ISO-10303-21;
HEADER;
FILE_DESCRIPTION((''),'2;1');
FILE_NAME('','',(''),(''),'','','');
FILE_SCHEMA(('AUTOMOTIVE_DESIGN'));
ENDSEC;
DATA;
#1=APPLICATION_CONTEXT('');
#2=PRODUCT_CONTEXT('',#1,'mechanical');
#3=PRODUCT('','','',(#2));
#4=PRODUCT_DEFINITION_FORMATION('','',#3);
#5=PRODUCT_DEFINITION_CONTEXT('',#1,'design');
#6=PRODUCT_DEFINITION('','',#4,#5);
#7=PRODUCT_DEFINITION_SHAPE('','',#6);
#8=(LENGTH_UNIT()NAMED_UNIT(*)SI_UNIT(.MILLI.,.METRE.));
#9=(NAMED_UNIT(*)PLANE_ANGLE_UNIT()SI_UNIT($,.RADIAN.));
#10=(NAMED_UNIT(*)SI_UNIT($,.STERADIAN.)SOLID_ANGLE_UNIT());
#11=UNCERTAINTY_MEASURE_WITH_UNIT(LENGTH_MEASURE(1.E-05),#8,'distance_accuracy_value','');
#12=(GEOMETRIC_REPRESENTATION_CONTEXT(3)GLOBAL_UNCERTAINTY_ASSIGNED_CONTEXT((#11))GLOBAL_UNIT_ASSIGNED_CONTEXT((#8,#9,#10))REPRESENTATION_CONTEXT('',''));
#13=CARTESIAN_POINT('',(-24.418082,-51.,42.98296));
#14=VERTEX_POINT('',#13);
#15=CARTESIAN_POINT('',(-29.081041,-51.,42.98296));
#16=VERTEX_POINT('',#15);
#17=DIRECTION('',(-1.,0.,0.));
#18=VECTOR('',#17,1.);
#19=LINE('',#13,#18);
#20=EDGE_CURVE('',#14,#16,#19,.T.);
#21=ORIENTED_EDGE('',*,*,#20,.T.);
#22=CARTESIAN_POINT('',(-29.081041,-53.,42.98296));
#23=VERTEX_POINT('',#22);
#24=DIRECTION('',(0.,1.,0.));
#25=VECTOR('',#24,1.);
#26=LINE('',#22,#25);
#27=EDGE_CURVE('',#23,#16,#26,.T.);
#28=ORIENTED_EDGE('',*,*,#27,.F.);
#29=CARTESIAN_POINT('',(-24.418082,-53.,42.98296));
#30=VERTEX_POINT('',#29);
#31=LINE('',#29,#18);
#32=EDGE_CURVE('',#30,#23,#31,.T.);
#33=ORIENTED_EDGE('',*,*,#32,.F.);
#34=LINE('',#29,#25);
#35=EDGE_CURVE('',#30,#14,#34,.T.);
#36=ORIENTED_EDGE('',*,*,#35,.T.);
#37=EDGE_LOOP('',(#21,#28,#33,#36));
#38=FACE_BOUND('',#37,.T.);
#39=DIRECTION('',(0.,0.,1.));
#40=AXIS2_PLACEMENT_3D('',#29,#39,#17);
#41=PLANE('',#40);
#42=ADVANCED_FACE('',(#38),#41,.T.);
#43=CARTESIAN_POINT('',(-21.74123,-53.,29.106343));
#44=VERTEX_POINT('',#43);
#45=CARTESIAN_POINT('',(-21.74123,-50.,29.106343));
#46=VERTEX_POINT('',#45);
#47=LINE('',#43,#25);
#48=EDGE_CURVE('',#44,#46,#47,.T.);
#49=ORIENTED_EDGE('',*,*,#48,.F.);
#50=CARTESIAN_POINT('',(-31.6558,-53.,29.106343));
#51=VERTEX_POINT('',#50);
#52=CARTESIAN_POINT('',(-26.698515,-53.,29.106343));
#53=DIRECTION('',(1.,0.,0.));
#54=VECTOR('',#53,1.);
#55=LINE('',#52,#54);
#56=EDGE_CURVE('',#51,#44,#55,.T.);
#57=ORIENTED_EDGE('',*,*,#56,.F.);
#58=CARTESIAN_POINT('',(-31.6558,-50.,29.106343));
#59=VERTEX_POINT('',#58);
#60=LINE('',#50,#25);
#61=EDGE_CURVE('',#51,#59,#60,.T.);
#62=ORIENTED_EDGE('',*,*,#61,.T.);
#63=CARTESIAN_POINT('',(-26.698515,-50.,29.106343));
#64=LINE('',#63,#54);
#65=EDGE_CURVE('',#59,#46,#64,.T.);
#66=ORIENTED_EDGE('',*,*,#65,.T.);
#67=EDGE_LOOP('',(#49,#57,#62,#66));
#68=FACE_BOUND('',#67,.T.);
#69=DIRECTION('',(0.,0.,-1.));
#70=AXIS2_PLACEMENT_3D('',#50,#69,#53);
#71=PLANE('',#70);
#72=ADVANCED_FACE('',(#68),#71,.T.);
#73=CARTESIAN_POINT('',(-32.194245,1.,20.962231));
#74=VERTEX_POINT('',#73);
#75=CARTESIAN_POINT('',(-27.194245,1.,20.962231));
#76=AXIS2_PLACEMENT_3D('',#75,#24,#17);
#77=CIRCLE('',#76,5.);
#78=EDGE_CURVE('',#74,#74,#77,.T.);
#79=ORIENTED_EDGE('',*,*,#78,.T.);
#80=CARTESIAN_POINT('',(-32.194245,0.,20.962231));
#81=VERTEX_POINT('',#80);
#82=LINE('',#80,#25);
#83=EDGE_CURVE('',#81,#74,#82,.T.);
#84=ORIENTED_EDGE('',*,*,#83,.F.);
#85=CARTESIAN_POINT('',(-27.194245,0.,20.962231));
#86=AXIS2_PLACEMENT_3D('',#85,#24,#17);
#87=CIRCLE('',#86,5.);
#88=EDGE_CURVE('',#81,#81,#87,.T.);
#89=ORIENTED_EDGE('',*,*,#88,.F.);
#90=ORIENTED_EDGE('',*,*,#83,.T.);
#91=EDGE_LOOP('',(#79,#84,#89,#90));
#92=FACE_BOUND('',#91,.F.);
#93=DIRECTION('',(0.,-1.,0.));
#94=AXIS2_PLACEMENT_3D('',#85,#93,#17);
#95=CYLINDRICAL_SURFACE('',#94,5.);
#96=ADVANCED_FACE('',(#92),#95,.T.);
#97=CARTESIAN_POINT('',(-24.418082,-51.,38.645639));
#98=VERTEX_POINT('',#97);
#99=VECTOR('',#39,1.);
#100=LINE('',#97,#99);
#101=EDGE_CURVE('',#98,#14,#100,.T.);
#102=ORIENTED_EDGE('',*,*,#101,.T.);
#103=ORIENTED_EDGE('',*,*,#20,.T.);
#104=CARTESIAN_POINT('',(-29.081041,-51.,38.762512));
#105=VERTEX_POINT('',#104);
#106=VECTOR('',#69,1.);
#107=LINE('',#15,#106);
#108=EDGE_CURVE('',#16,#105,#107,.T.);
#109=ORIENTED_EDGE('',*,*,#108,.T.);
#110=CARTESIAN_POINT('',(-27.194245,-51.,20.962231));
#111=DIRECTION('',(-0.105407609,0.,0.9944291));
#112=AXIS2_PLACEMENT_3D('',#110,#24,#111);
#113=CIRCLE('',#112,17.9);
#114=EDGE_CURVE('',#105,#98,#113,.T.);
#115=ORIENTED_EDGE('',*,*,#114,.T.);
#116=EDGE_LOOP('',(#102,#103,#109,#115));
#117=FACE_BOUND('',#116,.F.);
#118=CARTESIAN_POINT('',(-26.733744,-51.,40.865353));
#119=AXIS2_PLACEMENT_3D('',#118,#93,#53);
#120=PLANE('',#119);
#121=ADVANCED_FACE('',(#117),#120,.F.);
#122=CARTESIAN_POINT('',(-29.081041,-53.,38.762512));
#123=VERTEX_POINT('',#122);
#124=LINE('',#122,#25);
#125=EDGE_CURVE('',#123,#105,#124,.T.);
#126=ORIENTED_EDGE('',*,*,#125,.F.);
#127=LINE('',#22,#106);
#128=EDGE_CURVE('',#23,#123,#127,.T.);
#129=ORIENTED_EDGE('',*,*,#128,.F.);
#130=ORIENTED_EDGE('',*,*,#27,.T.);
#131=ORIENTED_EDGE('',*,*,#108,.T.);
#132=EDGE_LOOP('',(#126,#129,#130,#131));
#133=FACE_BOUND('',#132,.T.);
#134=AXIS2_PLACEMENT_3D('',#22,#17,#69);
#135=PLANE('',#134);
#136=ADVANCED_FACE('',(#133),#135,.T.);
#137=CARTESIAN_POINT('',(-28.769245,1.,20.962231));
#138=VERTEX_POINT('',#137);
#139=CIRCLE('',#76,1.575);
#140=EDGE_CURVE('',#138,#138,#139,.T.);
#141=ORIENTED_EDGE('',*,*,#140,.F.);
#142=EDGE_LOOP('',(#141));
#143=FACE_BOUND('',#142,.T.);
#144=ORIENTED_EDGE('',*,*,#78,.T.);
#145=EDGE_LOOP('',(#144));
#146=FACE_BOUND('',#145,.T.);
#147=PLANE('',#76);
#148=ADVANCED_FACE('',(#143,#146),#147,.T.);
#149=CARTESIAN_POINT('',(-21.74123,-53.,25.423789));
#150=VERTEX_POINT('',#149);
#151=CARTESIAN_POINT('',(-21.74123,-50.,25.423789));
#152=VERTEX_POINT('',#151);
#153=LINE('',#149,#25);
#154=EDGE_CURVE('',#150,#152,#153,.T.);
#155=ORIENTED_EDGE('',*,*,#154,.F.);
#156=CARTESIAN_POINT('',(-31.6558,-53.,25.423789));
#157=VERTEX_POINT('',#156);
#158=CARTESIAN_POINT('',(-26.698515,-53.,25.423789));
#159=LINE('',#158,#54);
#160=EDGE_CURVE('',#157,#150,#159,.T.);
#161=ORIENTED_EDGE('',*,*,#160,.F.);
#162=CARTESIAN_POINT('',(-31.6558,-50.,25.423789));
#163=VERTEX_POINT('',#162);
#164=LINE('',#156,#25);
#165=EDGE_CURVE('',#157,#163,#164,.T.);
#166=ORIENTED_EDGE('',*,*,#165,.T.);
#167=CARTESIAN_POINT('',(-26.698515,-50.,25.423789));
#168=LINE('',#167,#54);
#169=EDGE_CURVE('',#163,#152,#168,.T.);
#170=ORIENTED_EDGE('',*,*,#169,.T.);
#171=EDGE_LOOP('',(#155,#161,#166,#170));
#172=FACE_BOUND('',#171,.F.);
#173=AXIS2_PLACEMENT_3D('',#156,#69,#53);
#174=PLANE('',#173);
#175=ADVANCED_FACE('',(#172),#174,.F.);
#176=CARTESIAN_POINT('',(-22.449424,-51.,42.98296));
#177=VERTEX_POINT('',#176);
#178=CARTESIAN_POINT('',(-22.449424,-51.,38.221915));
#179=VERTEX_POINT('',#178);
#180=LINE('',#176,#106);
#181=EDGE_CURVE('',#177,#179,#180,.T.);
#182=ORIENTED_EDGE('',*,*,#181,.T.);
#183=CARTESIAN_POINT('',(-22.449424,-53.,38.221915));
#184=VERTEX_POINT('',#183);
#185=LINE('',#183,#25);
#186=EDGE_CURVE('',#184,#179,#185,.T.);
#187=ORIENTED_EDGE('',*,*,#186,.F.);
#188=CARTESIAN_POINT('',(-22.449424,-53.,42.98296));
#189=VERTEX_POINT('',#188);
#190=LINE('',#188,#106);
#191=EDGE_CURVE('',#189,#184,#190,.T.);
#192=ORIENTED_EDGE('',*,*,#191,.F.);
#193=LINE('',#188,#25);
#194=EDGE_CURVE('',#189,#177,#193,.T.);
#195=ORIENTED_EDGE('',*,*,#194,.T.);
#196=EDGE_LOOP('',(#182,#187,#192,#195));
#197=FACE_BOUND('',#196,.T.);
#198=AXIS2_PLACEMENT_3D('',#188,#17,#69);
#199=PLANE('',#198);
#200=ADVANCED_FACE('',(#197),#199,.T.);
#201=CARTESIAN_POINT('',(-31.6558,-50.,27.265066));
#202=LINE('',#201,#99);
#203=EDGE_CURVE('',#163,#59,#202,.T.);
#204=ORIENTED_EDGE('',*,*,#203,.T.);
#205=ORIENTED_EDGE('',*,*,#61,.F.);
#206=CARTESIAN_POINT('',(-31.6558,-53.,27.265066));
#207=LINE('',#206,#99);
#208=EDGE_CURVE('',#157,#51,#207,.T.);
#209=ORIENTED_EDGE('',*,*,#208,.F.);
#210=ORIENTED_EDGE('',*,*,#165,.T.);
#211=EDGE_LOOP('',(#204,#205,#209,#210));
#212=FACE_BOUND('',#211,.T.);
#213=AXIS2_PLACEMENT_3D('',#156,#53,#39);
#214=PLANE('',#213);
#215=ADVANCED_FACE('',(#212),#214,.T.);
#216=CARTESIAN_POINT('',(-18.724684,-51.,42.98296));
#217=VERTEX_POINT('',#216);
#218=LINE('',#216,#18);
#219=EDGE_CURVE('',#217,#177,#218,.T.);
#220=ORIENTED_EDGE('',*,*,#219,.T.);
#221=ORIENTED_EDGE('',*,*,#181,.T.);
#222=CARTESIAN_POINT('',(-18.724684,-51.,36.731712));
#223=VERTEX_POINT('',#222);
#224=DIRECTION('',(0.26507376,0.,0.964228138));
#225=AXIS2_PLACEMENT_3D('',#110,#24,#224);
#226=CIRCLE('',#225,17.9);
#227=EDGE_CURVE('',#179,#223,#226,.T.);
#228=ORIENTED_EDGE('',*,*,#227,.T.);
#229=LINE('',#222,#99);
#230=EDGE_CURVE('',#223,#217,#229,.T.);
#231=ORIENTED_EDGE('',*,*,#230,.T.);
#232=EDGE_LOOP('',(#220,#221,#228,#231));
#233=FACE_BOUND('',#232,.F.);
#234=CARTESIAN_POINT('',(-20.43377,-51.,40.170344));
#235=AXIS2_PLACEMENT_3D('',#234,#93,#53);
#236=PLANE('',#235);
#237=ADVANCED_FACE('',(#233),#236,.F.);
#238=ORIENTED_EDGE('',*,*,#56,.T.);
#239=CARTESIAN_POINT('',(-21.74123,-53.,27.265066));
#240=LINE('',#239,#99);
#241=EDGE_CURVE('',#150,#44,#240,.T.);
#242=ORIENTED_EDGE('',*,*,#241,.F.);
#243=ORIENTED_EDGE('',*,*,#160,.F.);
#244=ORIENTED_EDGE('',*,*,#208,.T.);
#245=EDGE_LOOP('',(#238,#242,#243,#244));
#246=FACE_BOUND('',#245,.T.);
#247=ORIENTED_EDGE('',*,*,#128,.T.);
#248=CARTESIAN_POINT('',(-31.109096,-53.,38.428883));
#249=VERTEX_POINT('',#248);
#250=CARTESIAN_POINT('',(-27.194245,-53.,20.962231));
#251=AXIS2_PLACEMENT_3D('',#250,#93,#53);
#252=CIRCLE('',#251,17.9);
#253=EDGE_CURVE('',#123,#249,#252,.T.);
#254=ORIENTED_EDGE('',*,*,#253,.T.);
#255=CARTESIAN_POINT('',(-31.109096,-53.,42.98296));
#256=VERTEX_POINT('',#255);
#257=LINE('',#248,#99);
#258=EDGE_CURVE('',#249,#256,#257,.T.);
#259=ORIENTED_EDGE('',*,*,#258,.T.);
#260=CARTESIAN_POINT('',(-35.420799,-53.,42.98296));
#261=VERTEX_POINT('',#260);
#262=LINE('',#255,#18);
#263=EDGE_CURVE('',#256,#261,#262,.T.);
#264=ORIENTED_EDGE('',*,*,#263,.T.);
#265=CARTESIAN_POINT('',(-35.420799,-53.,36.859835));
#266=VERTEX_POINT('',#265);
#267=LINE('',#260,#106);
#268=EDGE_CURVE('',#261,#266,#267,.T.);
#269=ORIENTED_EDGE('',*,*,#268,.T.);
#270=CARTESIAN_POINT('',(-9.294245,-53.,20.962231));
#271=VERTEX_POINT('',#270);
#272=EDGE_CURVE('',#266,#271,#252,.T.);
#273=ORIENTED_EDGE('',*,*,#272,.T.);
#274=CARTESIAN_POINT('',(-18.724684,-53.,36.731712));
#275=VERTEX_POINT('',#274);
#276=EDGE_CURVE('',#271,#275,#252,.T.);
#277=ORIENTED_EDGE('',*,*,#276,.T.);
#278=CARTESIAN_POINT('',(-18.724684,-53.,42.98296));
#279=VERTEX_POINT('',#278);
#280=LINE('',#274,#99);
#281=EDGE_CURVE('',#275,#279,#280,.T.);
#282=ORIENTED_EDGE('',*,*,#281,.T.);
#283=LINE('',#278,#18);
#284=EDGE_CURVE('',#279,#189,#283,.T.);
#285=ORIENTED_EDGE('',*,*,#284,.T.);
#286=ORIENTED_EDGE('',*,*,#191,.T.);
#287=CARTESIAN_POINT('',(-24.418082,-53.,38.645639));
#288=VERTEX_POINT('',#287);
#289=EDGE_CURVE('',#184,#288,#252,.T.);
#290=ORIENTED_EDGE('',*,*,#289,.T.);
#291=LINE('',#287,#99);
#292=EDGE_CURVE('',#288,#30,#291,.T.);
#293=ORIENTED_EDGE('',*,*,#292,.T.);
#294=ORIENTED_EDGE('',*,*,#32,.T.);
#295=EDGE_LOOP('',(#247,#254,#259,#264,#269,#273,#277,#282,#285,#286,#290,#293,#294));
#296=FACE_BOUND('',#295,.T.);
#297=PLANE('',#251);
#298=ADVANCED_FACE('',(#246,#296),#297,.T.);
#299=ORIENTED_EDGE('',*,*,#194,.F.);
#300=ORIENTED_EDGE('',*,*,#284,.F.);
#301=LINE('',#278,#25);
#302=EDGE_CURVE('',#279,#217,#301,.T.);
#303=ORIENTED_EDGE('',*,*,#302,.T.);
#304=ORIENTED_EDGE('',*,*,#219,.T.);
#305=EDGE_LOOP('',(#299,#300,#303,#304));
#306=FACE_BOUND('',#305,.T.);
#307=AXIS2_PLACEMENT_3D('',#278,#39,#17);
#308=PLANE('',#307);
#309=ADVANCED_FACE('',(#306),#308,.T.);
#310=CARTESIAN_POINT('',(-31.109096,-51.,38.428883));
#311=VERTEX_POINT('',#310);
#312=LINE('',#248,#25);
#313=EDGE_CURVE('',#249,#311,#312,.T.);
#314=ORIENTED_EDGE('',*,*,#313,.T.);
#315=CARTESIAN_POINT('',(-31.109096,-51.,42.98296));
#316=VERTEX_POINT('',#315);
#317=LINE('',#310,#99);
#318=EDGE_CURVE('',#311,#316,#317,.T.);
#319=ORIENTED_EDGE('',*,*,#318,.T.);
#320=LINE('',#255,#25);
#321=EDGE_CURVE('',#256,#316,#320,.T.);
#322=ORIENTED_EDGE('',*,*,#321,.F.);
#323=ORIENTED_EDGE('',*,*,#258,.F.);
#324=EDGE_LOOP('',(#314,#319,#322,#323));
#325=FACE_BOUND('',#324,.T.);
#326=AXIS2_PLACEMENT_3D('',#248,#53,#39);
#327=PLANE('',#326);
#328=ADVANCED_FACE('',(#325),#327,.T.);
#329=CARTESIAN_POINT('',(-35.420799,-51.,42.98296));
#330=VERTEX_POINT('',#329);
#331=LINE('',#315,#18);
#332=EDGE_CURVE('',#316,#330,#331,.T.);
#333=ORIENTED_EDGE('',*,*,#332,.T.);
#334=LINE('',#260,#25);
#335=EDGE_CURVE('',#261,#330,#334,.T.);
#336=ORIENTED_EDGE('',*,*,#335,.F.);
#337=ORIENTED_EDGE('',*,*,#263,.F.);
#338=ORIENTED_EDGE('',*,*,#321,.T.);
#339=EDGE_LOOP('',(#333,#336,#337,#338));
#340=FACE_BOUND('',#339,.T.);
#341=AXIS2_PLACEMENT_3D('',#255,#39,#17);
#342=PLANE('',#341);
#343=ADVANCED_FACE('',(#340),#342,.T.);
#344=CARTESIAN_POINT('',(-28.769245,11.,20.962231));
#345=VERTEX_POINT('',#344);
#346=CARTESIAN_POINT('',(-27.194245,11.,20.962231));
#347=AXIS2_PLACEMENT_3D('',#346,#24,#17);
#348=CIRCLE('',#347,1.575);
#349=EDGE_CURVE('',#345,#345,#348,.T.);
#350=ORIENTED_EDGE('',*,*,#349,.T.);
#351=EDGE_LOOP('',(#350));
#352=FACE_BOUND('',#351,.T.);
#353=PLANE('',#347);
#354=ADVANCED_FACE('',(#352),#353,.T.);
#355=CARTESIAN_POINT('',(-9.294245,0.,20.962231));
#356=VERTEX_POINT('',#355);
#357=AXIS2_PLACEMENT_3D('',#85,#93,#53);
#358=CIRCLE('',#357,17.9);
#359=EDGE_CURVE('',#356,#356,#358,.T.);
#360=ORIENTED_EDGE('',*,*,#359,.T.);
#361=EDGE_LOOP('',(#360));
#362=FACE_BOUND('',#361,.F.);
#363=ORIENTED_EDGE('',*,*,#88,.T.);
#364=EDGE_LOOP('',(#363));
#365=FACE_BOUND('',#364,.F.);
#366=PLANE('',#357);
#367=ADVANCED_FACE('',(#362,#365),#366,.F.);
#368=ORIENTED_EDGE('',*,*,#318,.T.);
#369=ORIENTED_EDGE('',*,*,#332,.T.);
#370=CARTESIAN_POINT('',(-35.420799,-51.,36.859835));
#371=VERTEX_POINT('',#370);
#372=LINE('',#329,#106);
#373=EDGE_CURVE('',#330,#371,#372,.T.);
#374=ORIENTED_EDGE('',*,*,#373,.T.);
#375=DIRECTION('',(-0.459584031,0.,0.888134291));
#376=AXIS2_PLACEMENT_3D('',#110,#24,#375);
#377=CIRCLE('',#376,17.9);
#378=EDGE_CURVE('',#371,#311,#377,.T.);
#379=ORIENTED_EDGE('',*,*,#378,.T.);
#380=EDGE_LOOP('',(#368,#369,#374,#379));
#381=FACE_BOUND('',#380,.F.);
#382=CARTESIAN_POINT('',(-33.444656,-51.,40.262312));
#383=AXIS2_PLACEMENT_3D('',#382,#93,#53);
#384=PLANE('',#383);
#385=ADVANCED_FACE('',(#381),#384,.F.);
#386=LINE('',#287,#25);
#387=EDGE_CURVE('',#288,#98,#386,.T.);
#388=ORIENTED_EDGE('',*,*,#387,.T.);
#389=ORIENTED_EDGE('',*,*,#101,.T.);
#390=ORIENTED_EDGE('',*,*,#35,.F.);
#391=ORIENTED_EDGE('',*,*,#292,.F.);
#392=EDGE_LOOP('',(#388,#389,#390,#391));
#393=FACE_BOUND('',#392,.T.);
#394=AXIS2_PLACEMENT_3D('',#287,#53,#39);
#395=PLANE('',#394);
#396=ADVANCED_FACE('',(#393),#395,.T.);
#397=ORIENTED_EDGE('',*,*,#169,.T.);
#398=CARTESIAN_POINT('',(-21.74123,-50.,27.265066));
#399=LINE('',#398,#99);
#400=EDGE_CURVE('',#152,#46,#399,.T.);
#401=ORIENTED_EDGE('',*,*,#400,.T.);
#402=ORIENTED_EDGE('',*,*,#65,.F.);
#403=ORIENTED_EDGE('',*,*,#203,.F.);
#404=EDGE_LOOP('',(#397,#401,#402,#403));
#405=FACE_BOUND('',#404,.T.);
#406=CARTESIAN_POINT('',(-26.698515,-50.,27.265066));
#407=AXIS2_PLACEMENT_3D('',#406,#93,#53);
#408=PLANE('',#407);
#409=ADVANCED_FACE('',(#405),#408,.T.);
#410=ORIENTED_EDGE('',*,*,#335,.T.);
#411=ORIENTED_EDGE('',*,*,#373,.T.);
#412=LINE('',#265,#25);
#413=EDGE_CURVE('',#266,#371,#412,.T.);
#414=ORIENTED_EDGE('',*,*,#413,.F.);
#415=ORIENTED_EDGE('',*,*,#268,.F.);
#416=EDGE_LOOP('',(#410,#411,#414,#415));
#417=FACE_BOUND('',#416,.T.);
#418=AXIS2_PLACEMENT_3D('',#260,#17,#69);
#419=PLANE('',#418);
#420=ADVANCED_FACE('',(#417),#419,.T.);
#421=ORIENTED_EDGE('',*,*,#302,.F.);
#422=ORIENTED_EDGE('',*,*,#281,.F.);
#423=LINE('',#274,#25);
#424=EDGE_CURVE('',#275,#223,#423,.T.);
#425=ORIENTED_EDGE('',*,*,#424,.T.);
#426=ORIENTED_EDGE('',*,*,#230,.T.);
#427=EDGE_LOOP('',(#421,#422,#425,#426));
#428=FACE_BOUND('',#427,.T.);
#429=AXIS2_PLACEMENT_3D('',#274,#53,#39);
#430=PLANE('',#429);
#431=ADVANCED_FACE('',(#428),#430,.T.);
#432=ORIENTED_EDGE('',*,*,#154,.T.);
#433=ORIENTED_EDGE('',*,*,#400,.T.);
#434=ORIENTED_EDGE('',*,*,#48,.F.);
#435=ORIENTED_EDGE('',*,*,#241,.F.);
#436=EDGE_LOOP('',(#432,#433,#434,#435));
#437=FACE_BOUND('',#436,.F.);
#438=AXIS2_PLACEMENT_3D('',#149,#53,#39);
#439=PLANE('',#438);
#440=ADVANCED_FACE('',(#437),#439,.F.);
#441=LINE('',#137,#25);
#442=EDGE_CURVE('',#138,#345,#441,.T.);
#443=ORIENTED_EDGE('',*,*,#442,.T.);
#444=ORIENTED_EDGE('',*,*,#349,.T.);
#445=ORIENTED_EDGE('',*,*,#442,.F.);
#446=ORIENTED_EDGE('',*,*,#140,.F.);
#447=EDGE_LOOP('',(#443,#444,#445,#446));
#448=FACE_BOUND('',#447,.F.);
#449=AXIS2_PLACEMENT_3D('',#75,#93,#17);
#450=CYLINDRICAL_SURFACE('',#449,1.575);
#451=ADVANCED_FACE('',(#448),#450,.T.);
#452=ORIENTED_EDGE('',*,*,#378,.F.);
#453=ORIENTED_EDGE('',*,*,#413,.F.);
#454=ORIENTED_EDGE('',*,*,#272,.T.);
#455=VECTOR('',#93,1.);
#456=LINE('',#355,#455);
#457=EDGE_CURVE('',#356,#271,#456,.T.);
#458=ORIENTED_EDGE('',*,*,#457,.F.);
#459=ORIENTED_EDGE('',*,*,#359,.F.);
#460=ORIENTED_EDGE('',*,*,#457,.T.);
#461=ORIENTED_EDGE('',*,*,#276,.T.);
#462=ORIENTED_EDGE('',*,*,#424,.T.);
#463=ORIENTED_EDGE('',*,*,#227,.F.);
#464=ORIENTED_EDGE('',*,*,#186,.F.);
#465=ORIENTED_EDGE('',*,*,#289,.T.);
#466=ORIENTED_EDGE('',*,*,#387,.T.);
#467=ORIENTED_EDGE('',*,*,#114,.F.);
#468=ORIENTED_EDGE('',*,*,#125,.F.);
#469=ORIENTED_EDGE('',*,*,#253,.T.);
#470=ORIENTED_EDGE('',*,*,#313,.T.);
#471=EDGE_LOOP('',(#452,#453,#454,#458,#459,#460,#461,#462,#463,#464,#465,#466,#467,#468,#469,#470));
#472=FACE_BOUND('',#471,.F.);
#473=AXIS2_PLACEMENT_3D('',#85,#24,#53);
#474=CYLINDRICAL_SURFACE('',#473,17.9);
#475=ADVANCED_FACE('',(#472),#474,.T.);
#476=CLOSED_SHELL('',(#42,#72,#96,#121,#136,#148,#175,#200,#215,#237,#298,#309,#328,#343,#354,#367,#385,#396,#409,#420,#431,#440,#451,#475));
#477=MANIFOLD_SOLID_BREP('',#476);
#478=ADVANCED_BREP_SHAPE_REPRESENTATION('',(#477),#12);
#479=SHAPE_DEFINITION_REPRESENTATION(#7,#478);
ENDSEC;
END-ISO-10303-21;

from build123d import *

# Parameters (mm, degrees)
F0_R     = 17.9
F1_DEPTH = 53
F2_R     = 5
F3_DEPTH = 1
F4_R     = 1.575
F5_DEPTH = 10
F6_W     = 9.9145695567
F6_H     = 3.6825537682
F7_DEPTH = 3
F9_DEPTH = 2


with BuildPart() as f1:
    # F0 (on Front) → F1 (new body)
    with BuildSketch(Plane.XZ):
        with Locations((-27.1942447871, 20.9622308612)):
            Circle(F0_R)
    extrude(amount=F1_DEPTH)

    # F2 (on face) → F3 (join)
    with BuildSketch(Plane(origin=(0, 0, 0), x_dir=(-1, 0, 0), z_dir=(0, 1, 0))):
        with Locations((27.1942447871, 20.9622308612)):
            Circle(F2_R)
    extrude(amount=F3_DEPTH)

    # F4 (on face) → F5 (join)
    with BuildSketch(Plane(origin=(0, 1, 0), x_dir=(-1, 0, 0), z_dir=(0, 1, 0))):
        with Locations((27.1942447871, 20.9622308612)):
            Circle(F4_R)
    extrude(amount=F5_DEPTH)

    # F6 (on face) → F7 (cut)
    with BuildSketch(Plane.XZ.offset(53)):
        with Locations((-26.6985148191, 27.265066281)):
            Rectangle(F6_W, F6_H)
    extrude(amount=-F7_DEPTH, mode=Mode.SUBTRACT)

    # F8 (on face) → F9 (join)
    with BuildSketch(Plane.XZ.offset(53)):
        with BuildLine():
            Line((-35.4207989488, 42.9829595067), (-35.4207989488, 36.8598346626))
            ThreePointArc((-35.4207989488, 36.8598346626), (-33.3154303096, 37.7830836279), (-31.1090964824, 38.428882979))
            Line((-31.1090964824, 38.428882979), (-31.1090964824, 42.9829595067))
            Line((-31.1090964824, 42.9829595067), (-35.4207989488, 42.9829595067))
        make_face()
        with BuildLine():
            Line((-29.0810409933, 42.9829595067), (-29.0810409933, 38.76251176))
            ThreePointArc((-29.0810409933, 38.76251176), (-26.7457383718, 38.8566110403), (-24.4180820882, 38.6456389227))
            Line((-24.4180820882, 38.6456389227), (-24.4180820882, 42.9829595067))
            Line((-24.4180820882, 42.9829595067), (-29.0810409933, 42.9829595067))
        make_face()
        with BuildLine():
            ThreePointArc((-22.4494244903, 38.2219145301), (-20.5451738039, 37.5814924291), (-18.7246836722, 36.7317119725))
            Line((-18.7246836722, 36.7317119725), (-18.7246836722, 42.9829595067))
            Line((-18.7246836722, 42.9829595067), (-22.4494244903, 42.9829595067))
            Line((-22.4494244903, 42.9829595067), (-22.4494244903, 38.2219145301))
        make_face()
    extrude(amount=-F9_DEPTH)


solid = f1.part
